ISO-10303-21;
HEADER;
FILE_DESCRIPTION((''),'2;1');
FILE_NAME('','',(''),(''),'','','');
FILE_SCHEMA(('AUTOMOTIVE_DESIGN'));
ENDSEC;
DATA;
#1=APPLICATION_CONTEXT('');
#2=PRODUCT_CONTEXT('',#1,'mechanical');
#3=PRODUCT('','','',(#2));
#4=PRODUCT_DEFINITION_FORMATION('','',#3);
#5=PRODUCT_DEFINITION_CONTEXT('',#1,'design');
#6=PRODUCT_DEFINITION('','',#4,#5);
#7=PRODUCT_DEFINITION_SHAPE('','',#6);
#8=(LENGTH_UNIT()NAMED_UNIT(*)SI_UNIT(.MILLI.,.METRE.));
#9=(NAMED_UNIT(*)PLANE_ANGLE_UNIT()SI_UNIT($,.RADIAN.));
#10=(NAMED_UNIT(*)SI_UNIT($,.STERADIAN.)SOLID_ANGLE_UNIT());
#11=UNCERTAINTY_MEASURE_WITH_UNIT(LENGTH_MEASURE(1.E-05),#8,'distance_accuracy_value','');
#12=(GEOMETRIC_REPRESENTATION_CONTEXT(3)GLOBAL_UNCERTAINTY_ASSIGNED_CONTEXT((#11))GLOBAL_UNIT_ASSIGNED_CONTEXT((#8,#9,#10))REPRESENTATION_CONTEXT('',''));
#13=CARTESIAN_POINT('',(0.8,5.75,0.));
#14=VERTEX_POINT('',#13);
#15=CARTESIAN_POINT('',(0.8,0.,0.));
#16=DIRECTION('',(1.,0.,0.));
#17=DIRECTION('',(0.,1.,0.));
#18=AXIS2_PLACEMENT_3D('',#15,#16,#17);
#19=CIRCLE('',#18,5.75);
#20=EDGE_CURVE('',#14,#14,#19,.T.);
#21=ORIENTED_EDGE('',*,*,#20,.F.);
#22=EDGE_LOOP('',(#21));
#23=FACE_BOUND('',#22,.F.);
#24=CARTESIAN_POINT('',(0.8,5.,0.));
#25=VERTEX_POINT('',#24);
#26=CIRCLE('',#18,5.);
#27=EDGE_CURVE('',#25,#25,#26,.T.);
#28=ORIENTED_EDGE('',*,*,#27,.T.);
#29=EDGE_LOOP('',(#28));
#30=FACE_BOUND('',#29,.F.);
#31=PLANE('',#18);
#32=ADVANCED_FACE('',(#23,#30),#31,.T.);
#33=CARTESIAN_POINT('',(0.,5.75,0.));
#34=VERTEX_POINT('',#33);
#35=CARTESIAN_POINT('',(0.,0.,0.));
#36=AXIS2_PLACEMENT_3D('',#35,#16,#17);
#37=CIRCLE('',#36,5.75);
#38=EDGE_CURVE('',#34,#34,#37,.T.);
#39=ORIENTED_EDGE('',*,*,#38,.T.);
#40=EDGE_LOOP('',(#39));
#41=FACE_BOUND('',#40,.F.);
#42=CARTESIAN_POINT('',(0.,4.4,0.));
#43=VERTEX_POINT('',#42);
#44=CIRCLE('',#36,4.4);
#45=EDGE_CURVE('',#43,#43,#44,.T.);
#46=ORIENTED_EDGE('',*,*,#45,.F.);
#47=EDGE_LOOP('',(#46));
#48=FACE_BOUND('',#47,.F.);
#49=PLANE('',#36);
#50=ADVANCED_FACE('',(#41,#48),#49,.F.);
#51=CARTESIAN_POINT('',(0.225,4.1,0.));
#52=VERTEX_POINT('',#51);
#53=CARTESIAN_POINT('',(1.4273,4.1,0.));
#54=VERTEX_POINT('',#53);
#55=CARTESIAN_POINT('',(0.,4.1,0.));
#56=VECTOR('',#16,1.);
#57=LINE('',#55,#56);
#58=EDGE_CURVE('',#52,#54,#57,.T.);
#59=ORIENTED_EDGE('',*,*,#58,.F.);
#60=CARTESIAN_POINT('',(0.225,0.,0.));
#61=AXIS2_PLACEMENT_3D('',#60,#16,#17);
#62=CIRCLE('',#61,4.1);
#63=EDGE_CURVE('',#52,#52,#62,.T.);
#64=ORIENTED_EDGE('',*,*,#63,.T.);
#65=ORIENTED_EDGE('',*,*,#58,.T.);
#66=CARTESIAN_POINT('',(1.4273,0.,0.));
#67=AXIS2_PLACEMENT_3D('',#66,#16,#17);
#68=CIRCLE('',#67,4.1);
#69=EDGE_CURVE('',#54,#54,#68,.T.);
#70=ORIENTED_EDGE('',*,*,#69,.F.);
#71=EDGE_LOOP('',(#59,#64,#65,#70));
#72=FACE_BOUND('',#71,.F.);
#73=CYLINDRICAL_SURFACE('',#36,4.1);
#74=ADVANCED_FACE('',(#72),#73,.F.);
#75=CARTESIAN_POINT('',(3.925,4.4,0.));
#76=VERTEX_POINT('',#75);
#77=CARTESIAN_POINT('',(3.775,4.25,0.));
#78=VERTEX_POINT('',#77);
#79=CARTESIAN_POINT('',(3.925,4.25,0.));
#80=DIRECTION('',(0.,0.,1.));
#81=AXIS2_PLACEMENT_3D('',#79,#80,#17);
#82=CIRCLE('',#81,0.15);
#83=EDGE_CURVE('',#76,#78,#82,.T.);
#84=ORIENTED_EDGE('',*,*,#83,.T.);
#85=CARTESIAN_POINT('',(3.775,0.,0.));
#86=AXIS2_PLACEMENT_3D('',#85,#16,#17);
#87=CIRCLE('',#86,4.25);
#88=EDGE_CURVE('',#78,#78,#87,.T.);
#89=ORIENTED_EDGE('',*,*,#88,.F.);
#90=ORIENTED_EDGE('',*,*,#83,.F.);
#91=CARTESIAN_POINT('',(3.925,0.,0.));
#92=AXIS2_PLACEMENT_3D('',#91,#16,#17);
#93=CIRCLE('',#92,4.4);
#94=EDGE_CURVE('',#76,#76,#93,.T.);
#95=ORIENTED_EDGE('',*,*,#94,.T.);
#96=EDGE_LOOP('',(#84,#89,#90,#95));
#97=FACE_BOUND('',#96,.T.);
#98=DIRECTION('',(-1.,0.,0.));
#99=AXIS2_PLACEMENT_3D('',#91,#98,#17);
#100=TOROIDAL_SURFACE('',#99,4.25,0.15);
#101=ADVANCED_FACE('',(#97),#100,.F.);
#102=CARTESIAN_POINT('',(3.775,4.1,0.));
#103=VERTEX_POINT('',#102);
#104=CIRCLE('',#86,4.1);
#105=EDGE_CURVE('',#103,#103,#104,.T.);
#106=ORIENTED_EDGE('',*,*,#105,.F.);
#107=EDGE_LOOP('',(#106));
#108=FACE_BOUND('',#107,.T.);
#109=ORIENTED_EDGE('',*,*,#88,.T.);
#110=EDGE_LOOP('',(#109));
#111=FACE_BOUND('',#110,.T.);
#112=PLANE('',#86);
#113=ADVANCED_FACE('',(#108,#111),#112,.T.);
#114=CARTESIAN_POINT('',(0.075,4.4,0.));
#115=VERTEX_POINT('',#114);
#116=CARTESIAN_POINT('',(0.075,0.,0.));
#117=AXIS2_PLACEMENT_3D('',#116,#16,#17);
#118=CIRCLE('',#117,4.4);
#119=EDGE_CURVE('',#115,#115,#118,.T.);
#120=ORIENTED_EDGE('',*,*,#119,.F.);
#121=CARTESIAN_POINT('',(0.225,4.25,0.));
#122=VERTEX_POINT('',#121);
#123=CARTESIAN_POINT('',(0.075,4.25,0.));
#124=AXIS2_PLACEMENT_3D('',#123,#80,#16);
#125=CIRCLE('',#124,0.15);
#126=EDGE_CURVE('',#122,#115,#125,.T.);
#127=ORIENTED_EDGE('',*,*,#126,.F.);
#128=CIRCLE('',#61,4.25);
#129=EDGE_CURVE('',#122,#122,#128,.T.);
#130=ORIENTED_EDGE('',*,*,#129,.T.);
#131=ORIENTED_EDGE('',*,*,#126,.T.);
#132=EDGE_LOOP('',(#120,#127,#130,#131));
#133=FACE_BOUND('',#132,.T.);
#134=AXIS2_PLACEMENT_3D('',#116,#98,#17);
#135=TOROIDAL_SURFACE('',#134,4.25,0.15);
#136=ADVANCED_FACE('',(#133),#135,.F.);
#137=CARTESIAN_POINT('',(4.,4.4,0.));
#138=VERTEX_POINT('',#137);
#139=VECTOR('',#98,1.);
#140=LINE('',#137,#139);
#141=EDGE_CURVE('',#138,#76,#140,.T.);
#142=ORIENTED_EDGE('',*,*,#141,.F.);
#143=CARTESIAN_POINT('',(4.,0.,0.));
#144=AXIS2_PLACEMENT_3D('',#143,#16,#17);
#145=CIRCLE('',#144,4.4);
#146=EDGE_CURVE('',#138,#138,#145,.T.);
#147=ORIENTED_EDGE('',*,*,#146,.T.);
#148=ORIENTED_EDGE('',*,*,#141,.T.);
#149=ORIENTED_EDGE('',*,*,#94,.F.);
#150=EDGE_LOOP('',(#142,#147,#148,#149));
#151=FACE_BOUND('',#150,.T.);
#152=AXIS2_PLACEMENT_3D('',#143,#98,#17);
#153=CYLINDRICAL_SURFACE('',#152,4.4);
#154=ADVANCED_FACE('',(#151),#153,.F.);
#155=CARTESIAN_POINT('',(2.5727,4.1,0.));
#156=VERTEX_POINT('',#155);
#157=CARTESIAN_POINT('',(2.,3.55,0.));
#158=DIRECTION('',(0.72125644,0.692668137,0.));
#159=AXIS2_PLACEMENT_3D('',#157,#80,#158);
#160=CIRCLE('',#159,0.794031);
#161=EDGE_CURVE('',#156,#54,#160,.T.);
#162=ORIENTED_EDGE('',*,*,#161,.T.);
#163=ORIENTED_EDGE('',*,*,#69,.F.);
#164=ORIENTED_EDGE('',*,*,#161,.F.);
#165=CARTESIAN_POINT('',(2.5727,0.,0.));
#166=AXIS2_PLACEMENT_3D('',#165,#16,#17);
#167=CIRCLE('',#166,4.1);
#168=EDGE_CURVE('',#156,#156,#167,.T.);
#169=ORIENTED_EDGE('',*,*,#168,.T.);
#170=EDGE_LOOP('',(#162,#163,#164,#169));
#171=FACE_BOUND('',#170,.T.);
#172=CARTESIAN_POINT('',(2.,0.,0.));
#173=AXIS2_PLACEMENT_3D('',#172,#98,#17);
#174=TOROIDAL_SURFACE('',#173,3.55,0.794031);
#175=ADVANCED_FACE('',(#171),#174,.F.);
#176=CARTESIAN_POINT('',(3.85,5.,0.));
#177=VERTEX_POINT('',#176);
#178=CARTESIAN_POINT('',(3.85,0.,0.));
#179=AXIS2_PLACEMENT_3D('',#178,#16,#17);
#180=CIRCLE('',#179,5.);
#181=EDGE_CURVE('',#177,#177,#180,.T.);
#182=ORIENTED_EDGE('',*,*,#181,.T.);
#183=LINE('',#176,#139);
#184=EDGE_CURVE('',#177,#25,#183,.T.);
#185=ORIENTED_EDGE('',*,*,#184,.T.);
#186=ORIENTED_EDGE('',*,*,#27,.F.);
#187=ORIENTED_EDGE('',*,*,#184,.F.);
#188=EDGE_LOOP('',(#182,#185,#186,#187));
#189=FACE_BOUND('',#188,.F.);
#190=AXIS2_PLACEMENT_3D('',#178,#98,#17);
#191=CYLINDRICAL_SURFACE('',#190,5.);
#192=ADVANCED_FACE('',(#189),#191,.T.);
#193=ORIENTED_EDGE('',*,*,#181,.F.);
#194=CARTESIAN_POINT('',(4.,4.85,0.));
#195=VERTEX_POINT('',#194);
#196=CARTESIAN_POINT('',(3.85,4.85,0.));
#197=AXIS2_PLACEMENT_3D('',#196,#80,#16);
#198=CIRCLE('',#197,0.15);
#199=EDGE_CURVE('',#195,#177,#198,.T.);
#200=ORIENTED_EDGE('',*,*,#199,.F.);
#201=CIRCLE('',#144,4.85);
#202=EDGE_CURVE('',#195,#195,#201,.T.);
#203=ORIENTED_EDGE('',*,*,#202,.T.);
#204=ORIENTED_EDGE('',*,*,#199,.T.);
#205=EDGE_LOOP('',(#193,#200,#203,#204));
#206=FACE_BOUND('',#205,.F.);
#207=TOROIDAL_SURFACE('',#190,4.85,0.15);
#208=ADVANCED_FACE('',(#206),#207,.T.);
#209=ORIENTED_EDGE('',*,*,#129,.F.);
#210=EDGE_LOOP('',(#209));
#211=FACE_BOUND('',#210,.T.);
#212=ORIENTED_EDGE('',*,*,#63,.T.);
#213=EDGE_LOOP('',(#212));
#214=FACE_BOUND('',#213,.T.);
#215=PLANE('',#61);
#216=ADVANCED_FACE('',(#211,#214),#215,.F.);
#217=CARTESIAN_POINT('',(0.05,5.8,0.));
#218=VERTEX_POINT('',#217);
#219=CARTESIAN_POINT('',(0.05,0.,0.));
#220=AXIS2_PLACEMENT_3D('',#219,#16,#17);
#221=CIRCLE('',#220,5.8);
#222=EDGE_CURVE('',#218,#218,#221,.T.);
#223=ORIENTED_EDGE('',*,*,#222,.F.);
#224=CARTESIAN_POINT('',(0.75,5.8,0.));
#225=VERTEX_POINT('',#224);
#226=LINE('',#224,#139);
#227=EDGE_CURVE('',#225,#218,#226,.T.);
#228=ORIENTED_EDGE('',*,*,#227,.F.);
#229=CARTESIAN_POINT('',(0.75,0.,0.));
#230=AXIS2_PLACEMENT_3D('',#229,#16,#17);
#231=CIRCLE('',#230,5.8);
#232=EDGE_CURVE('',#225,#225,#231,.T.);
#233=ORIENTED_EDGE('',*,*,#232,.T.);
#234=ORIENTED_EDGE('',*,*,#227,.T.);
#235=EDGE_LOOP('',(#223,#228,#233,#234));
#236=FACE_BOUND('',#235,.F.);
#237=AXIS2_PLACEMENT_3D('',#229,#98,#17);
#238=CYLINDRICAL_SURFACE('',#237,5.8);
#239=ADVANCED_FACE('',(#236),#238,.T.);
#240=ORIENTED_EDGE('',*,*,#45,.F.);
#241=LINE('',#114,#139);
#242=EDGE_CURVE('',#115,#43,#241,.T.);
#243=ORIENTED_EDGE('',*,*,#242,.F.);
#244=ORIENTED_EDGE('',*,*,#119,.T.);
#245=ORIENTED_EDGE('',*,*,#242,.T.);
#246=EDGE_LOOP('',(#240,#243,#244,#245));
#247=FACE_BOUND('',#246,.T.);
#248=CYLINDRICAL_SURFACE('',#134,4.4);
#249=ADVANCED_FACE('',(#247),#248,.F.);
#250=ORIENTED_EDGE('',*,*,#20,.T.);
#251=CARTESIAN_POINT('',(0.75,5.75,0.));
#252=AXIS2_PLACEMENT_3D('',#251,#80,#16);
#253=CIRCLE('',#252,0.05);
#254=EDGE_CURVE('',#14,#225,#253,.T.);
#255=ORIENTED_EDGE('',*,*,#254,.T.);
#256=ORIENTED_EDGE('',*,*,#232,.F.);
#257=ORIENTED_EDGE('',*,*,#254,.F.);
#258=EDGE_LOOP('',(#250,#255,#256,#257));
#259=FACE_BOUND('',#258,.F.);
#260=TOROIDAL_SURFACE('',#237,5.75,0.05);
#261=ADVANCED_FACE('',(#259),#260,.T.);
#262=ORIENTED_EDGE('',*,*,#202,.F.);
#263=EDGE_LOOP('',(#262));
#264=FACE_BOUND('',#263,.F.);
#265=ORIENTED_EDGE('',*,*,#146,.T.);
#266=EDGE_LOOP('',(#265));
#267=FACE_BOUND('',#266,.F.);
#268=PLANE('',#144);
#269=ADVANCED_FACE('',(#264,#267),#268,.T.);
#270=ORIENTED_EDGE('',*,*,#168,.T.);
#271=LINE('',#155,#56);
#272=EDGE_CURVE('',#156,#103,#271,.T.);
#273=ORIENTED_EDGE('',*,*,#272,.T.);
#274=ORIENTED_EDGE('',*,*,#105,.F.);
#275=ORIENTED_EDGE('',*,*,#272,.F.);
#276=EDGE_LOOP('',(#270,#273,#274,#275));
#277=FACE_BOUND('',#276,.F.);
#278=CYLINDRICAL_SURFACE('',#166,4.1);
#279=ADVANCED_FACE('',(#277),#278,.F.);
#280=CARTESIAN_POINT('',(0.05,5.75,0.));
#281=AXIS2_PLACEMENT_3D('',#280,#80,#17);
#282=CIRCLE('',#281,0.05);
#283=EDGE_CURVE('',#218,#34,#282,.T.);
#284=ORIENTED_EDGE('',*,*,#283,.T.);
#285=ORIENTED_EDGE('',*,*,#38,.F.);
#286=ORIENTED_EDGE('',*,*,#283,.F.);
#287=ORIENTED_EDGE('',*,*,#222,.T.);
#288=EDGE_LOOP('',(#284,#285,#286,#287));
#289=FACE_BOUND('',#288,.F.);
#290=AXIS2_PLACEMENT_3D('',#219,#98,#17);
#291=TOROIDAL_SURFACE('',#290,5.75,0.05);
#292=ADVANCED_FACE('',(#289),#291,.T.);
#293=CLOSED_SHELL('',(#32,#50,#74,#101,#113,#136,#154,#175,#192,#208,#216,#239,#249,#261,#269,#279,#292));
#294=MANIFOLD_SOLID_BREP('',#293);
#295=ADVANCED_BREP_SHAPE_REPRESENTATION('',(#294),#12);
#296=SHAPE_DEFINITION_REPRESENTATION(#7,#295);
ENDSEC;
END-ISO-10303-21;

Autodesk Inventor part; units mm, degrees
ref_plane "YZ Plane" through (0, 0, 0) normal (1, 0, 0) x (0, 1, 0)
ref_plane "XZ Plane" through (0, 0, 0) normal (0, 1, 0) x (-1, 0, 0)
ref_plane "XY Plane" through (0, 0, 0) normal (0, 0, 1) x (1, 0, 0)
sketch "Sketch_11" plane through (0, 0, 0) normal (0, 0, 1) x (1, 0, 0)
  line L0 (50, 0) -> (-50, 0)
  line L1 (0, 5.75) -> (0, 4.1)
  line L2 (0, 4.1) -> (1.4273, 4.1)
  arc A0 (2.5727, 4.1) -> (1.4273, 4.1) centre (2, 3.55) ccw
  line L3 (2.5727, 4.1) -> (4, 4.1)
  line L4 (4, 4.1) -> (4, 4.85)
  arc A1 (4, 4.85) -> (3.85, 5) centre (3.85, 4.85) ccw
  line L5 (3.85, 5) -> (0.8, 5)
  line L6 (0.8, 5) -> (0.8, 5.75)
  arc A2 (0.8, 5.75) -> (0.75, 5.8) centre (0.75, 5.75) ccw
  line L7 (0.75, 5.8) -> (0.05, 5.8)
  arc A3 (0.05, 5.8) -> (0, 5.75) centre (0.05, 5.75) ccw
revolve "Revolution1" add sketch "Sketch_11" angle 360 about axis through (50, 0, 0) along (1, 0, 0)
sketch "Sketch_12" plane through (0, 0, 0) normal (0, 0, 1) x (1, 0, 0)
  line L0 (2, 0) -> (-2, 0)
  line L1 (0, 2.2) -> (4, 2.2)
  line L2 (4, 2.2) -> (4, 4.4)
  line L3 (4, 4.4) -> (3.925, 4.4)
  arc A0 (3.925, 4.4) -> (3.775, 4.25) centre (3.925, 4.25) ccw
  line L4 (3.775, 4.25) -> (3.775, 2.35)
  line L5 (3.775, 2.35) -> (0.225, 2.35)
  line L6 (0.225, 2.35) -> (0.225, 4.25)
  arc A1 (0.225, 4.25) -> (0.075, 4.4) centre (0.075, 4.25) ccw
  line L7 (0.075, 4.4) -> (0, 4.4)
  line L8 (0, 4.4) -> (0, 2.2)
revolve "Revolution2" cut sketch "Sketch_12" angle 360 about axis through (2, 0, 0) along (1, 0, 0)
properties part number "W 638/4 XR-2Z_PART2"
